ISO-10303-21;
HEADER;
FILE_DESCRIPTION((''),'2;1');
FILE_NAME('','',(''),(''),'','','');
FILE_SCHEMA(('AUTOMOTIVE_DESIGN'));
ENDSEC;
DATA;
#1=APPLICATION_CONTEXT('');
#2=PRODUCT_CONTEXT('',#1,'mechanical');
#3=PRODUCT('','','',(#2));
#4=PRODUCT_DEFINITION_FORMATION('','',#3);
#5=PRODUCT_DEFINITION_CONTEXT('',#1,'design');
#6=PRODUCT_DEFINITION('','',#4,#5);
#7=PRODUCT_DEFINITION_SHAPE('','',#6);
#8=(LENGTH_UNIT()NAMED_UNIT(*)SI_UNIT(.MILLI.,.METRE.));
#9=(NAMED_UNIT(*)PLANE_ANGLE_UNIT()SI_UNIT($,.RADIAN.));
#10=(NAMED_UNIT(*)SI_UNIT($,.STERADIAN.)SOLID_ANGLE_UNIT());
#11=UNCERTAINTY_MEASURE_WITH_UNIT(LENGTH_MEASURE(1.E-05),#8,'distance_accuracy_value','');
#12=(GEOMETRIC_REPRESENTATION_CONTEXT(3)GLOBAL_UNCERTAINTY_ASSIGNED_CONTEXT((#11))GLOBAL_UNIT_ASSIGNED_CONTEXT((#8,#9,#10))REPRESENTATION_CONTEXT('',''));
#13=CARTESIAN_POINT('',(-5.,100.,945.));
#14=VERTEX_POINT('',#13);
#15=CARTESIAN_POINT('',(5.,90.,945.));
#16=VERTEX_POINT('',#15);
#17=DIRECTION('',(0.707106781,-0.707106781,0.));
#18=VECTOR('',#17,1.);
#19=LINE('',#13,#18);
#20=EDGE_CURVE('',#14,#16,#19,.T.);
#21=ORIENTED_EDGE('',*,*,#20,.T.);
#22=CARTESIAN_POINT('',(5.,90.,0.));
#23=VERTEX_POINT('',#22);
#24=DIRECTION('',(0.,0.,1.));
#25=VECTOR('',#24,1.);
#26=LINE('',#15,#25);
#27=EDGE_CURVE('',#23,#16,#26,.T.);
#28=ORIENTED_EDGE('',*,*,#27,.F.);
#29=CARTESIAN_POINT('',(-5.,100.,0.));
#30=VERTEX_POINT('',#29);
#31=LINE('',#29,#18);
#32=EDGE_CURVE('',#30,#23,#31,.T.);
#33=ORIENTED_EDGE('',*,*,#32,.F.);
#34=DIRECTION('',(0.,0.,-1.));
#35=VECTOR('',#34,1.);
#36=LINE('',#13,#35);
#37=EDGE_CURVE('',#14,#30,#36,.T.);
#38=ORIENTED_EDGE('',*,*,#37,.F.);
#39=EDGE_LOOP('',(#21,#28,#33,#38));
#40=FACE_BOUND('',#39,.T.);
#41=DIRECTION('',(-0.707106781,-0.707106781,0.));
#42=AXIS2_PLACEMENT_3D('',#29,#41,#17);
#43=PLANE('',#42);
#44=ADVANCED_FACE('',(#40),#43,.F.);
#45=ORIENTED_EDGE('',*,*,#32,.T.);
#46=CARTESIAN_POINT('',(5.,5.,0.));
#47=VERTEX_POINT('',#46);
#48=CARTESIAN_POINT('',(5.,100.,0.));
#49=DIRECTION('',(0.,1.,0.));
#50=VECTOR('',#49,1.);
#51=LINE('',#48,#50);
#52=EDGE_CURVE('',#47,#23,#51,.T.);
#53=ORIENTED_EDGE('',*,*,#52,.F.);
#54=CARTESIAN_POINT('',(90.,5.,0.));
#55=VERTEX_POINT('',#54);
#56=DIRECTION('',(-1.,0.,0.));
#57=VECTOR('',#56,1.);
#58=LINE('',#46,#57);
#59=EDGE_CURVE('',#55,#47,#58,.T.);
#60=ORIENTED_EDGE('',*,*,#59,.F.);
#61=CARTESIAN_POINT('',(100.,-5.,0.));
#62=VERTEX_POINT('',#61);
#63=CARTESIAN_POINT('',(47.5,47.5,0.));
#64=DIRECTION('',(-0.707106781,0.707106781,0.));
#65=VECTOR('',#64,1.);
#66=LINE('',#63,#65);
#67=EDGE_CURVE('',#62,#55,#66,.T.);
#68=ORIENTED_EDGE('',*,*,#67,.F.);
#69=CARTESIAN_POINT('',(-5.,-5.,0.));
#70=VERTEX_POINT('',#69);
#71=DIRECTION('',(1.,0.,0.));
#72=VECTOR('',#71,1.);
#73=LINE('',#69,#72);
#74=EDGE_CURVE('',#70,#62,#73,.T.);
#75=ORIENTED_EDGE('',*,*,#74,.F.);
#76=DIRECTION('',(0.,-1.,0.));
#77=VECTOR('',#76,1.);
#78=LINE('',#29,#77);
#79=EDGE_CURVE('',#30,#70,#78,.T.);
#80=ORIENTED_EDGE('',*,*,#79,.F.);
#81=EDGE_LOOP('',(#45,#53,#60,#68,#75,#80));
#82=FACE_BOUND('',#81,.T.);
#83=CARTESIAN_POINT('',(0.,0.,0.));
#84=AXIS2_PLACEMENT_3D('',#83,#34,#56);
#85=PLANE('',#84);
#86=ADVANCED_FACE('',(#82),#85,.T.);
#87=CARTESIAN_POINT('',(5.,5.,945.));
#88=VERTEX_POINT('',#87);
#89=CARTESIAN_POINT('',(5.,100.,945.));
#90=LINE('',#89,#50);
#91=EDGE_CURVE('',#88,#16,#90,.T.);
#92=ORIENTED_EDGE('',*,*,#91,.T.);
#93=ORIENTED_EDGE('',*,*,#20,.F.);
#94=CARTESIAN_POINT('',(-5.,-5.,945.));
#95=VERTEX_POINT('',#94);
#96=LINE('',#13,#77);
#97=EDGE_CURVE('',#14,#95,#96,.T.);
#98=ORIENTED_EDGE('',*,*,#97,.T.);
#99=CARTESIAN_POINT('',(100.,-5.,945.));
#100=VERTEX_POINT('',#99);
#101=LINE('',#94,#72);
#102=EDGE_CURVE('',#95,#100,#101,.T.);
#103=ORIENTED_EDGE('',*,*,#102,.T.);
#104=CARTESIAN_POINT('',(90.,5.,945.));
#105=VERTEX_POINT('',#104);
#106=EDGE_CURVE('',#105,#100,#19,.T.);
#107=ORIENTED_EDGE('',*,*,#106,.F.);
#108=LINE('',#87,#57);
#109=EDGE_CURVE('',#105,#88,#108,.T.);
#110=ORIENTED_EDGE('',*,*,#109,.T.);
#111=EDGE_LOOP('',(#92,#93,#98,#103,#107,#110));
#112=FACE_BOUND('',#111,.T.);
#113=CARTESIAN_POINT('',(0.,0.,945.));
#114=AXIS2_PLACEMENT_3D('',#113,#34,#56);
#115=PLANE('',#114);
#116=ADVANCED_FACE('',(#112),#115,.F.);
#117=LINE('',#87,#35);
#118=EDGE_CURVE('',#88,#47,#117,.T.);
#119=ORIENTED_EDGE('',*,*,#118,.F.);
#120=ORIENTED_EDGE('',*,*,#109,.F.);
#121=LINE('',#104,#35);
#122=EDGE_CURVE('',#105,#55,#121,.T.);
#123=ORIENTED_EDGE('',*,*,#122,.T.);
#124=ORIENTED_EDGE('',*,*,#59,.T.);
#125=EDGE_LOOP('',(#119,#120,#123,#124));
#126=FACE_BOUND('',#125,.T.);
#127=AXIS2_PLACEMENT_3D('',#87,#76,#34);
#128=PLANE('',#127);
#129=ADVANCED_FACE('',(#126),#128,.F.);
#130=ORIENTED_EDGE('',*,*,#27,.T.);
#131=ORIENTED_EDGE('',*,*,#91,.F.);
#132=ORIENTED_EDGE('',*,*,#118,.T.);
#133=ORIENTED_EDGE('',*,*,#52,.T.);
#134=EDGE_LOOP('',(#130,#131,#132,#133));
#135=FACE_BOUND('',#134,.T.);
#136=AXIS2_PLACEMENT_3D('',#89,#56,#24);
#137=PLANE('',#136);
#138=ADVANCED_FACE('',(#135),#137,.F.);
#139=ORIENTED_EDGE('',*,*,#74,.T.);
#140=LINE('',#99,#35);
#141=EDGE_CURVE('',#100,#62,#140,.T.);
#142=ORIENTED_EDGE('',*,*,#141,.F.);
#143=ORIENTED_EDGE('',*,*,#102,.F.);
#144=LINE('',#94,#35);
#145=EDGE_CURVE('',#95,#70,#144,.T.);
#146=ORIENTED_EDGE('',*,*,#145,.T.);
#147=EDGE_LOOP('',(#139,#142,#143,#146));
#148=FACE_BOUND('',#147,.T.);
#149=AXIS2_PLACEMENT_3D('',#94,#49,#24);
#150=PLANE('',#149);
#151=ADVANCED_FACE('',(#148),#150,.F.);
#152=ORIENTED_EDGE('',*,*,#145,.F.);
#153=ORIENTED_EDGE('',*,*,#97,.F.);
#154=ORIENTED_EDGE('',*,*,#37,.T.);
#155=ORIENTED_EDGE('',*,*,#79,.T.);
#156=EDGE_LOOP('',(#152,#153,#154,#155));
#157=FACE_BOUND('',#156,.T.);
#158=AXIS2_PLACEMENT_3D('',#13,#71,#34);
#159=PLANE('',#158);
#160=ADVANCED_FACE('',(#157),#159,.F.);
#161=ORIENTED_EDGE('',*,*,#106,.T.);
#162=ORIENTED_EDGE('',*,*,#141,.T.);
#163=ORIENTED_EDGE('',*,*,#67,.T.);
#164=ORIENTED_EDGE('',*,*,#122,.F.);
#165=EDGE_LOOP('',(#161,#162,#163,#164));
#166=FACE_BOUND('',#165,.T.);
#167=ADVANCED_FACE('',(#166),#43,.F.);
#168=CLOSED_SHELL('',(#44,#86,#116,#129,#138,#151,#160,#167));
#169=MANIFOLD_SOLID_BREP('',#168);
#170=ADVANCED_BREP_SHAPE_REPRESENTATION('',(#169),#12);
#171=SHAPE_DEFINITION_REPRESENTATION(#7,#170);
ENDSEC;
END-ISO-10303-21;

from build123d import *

# Parameters (mm, degrees)
BOSS_EXTRUDE1_DEPTH = 945
CUT_EXTRUDE1_DEPTH  = 956.523416772


with BuildPart() as part:
    # Sketch1 → Boss-Extrude1 (new body)
    with BuildSketch(Plane.XY):
        Polygon((-5, 100), (-5, -5), (100, -5), (100, 5), (5, 5), (5, 100), align=None)
    extrude(amount=BOSS_EXTRUDE1_DEPTH)

    # Sketch2 → Cut-Extrude1 (cut, through all)
    with BuildSketch(Plane.XY.offset(945)):
        Polygon((-5, 100), (100, -5), (100, 5), (5, 100), align=None)
    extrude(amount=-CUT_EXTRUDE1_DEPTH, mode=Mode.SUBTRACT)


solid = part.part
